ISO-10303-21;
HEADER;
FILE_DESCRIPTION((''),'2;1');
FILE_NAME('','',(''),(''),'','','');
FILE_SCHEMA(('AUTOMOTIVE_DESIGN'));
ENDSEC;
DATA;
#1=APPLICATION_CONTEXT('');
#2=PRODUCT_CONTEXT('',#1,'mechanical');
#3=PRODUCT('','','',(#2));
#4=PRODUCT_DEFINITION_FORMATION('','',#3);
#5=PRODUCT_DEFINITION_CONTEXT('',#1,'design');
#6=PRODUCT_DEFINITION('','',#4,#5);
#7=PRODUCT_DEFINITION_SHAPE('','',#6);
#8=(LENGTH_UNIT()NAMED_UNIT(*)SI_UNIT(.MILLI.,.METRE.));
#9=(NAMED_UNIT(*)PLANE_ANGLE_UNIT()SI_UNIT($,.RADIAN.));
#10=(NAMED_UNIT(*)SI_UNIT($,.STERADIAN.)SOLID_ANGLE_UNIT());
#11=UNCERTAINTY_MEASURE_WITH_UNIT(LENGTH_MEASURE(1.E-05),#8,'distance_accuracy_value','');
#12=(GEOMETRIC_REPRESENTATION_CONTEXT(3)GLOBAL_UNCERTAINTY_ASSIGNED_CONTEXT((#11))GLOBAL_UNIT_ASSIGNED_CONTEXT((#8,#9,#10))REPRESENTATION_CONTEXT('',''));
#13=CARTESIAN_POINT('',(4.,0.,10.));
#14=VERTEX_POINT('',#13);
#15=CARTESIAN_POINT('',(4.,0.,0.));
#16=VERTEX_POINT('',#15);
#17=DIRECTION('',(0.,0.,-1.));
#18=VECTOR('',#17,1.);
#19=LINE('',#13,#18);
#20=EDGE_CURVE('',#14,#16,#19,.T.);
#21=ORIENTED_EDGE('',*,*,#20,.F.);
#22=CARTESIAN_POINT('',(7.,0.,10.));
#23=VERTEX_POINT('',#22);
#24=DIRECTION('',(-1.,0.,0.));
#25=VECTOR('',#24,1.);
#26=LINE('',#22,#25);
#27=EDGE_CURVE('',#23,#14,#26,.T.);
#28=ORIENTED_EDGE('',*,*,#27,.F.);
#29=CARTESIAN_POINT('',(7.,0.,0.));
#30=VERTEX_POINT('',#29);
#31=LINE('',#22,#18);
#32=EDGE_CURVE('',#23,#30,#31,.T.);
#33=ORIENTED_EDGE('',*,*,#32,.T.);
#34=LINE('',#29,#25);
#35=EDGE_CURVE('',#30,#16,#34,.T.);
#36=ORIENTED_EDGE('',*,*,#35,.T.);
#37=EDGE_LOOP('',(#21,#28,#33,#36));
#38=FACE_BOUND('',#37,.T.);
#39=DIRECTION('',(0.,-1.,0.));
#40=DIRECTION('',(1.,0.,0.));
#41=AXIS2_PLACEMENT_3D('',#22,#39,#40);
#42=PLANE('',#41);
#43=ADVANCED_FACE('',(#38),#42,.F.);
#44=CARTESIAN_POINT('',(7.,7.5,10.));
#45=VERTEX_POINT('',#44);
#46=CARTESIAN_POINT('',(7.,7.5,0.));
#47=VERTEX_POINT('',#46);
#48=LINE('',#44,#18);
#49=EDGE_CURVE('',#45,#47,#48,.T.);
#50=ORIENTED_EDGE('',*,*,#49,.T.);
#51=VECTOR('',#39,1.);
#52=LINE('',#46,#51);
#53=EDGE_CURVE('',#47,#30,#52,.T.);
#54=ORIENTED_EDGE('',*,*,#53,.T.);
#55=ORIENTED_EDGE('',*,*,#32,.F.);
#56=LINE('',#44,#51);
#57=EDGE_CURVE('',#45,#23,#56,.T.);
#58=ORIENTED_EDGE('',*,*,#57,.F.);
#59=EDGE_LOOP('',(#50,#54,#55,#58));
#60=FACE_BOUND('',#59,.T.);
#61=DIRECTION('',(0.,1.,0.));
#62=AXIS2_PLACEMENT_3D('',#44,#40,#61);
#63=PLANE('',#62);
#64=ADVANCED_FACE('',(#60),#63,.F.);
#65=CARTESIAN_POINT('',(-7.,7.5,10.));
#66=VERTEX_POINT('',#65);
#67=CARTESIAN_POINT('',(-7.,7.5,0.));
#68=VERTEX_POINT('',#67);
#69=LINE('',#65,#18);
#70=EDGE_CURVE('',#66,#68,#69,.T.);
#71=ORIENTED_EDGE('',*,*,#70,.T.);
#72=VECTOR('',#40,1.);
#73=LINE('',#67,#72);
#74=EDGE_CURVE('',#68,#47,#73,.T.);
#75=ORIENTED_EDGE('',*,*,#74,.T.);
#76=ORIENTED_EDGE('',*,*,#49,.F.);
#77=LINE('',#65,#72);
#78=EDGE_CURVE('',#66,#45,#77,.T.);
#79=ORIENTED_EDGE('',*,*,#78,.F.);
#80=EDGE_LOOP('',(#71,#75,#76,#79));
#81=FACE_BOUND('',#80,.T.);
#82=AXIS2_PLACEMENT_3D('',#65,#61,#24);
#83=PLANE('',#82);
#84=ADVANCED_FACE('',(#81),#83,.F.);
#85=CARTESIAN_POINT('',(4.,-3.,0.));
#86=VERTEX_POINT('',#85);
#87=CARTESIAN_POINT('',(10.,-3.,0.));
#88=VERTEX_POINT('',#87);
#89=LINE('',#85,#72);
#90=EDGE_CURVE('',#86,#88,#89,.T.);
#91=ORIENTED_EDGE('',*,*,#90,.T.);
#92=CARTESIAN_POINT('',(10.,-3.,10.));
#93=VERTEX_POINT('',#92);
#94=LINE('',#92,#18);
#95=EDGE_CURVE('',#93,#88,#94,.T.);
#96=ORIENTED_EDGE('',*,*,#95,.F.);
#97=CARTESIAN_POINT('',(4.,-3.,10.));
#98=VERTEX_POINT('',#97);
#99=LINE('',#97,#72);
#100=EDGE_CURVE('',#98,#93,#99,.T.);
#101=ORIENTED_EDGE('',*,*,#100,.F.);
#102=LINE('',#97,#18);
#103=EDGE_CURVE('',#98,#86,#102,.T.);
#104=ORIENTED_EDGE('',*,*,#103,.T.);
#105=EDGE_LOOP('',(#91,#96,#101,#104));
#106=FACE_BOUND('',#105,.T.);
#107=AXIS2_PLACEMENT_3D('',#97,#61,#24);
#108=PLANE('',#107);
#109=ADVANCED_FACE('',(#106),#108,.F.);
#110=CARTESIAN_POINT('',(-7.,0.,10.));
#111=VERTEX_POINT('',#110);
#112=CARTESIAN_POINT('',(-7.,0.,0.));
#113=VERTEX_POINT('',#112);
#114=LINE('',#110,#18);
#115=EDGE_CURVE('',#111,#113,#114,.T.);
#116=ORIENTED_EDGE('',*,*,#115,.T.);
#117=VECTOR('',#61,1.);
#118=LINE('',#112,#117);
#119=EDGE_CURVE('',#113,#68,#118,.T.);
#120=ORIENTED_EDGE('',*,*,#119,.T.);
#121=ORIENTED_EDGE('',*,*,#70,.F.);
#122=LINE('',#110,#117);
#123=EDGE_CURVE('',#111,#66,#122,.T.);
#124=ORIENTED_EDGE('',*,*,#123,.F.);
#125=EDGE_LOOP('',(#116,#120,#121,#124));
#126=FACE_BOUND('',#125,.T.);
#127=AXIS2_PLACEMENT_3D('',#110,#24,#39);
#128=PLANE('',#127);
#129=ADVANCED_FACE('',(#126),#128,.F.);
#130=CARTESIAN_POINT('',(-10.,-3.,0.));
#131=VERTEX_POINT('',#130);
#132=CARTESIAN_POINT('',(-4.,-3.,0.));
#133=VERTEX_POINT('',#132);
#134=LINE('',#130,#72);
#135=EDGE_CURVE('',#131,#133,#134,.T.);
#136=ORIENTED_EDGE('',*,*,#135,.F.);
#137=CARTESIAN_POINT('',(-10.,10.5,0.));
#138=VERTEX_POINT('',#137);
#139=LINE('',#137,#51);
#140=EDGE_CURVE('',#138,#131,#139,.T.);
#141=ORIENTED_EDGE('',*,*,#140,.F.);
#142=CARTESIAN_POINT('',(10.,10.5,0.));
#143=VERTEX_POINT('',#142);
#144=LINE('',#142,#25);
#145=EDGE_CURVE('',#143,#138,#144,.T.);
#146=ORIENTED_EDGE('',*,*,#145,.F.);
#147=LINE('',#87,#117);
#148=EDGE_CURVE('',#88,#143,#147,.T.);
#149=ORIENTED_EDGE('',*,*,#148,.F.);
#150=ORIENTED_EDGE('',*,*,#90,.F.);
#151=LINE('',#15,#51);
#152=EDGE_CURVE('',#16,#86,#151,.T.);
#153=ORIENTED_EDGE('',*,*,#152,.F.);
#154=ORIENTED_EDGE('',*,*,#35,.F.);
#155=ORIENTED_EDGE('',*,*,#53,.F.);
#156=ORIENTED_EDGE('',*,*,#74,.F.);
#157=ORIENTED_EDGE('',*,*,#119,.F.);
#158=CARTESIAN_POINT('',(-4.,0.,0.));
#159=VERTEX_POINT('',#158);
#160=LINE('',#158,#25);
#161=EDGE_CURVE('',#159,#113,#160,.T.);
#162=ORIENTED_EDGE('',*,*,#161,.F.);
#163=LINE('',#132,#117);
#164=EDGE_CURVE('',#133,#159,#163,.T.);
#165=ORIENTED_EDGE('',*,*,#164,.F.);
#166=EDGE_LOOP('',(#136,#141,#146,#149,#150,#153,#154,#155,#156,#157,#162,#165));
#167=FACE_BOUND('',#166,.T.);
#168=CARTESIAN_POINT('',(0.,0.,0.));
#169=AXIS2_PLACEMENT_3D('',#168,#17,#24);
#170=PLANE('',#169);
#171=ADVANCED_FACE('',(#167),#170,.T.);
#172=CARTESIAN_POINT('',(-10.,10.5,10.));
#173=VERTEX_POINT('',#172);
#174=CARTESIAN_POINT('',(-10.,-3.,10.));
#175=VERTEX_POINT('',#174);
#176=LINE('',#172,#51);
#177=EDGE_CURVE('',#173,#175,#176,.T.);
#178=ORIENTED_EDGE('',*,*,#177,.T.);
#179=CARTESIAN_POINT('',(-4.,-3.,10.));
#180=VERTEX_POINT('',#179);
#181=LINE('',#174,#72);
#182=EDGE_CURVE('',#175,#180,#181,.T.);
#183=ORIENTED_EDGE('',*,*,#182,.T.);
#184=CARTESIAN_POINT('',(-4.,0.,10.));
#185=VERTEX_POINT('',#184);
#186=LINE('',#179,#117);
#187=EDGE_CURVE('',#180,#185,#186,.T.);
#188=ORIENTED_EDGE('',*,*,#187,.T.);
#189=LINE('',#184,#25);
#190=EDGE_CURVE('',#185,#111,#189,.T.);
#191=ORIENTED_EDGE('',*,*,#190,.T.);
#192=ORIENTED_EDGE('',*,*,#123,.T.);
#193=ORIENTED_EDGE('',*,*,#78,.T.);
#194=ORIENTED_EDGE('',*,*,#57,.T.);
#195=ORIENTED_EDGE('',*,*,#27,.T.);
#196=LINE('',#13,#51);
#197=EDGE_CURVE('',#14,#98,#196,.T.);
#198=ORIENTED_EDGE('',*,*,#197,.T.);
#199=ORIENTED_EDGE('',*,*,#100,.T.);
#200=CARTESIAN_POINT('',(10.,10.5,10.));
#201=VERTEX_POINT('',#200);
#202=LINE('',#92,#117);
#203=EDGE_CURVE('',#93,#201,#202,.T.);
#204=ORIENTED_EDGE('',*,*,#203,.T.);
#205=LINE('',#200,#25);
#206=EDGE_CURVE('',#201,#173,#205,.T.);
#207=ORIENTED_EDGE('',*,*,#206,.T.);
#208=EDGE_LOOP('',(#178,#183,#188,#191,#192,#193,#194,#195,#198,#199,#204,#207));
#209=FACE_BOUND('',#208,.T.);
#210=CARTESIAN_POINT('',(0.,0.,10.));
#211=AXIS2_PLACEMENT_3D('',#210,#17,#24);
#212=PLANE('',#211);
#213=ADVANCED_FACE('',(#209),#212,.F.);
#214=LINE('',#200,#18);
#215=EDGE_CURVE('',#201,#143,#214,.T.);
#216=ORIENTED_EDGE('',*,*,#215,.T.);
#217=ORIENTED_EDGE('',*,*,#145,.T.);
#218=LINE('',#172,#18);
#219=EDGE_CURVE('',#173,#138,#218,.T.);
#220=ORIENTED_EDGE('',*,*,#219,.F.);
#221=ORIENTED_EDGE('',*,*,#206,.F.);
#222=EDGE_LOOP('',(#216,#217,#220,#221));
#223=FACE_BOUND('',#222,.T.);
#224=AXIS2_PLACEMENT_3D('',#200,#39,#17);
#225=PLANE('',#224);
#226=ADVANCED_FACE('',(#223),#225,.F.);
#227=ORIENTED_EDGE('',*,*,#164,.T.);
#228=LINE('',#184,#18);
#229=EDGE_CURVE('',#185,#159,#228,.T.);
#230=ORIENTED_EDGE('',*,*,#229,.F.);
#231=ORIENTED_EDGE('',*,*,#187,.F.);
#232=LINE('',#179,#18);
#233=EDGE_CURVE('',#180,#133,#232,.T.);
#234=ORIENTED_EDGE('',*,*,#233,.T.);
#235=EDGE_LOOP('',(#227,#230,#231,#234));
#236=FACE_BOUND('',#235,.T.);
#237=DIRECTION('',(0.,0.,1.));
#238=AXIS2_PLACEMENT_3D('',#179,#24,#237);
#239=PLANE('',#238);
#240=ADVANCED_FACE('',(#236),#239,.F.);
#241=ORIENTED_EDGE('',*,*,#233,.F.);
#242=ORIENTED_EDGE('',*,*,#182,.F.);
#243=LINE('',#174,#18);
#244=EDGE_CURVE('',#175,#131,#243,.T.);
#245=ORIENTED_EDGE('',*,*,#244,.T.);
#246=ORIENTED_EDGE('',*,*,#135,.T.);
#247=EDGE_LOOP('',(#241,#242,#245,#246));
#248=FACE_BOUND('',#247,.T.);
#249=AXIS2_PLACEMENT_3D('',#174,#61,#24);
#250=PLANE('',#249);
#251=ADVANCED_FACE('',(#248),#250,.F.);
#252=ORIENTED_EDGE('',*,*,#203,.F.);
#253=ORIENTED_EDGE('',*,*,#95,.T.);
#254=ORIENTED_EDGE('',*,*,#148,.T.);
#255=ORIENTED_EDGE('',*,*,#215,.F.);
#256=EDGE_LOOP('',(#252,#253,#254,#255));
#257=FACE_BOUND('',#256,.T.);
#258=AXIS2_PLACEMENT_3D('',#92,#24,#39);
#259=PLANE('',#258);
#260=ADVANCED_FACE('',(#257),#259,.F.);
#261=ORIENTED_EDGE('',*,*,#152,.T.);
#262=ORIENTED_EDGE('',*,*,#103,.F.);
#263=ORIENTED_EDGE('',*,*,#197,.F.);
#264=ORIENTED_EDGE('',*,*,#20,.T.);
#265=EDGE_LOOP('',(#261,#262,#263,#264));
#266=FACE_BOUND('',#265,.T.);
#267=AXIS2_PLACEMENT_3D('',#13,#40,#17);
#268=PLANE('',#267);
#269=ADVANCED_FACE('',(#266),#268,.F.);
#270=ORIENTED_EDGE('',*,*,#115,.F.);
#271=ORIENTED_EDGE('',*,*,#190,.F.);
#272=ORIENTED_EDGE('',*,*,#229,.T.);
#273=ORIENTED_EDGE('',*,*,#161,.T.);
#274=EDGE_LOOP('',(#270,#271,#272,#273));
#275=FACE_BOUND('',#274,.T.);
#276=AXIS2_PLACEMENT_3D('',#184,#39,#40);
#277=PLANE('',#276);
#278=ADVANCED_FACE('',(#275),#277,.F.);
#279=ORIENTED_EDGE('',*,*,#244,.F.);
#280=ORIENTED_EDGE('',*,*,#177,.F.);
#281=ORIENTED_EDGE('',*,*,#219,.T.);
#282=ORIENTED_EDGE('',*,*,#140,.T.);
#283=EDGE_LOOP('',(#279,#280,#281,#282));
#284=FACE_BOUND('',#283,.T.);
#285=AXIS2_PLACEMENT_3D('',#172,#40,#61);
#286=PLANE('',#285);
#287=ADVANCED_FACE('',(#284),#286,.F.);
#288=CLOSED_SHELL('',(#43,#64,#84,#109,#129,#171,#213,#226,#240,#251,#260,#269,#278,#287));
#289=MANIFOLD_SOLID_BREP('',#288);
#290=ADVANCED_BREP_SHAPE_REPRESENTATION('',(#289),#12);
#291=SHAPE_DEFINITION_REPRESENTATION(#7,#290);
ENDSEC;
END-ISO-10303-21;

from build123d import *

# Parameters (mm, degrees)
BOSS_EXTRUDE1_DEPTH = 10


with BuildPart() as part:
    # Schizzo2 → Boss-Extrude1 (new body)
    with BuildSketch(Plane.XY):
        Polygon((-7, 0), (-7, 7.5), (7, 7.5), (7, 0), (4, 0), (4, -3), (10, -3), (10, 10.5), (-10, 10.5), (-10, -3), (-4, -3), (-4, 0), align=None)
    extrude(amount=BOSS_EXTRUDE1_DEPTH)


solid = part.part
